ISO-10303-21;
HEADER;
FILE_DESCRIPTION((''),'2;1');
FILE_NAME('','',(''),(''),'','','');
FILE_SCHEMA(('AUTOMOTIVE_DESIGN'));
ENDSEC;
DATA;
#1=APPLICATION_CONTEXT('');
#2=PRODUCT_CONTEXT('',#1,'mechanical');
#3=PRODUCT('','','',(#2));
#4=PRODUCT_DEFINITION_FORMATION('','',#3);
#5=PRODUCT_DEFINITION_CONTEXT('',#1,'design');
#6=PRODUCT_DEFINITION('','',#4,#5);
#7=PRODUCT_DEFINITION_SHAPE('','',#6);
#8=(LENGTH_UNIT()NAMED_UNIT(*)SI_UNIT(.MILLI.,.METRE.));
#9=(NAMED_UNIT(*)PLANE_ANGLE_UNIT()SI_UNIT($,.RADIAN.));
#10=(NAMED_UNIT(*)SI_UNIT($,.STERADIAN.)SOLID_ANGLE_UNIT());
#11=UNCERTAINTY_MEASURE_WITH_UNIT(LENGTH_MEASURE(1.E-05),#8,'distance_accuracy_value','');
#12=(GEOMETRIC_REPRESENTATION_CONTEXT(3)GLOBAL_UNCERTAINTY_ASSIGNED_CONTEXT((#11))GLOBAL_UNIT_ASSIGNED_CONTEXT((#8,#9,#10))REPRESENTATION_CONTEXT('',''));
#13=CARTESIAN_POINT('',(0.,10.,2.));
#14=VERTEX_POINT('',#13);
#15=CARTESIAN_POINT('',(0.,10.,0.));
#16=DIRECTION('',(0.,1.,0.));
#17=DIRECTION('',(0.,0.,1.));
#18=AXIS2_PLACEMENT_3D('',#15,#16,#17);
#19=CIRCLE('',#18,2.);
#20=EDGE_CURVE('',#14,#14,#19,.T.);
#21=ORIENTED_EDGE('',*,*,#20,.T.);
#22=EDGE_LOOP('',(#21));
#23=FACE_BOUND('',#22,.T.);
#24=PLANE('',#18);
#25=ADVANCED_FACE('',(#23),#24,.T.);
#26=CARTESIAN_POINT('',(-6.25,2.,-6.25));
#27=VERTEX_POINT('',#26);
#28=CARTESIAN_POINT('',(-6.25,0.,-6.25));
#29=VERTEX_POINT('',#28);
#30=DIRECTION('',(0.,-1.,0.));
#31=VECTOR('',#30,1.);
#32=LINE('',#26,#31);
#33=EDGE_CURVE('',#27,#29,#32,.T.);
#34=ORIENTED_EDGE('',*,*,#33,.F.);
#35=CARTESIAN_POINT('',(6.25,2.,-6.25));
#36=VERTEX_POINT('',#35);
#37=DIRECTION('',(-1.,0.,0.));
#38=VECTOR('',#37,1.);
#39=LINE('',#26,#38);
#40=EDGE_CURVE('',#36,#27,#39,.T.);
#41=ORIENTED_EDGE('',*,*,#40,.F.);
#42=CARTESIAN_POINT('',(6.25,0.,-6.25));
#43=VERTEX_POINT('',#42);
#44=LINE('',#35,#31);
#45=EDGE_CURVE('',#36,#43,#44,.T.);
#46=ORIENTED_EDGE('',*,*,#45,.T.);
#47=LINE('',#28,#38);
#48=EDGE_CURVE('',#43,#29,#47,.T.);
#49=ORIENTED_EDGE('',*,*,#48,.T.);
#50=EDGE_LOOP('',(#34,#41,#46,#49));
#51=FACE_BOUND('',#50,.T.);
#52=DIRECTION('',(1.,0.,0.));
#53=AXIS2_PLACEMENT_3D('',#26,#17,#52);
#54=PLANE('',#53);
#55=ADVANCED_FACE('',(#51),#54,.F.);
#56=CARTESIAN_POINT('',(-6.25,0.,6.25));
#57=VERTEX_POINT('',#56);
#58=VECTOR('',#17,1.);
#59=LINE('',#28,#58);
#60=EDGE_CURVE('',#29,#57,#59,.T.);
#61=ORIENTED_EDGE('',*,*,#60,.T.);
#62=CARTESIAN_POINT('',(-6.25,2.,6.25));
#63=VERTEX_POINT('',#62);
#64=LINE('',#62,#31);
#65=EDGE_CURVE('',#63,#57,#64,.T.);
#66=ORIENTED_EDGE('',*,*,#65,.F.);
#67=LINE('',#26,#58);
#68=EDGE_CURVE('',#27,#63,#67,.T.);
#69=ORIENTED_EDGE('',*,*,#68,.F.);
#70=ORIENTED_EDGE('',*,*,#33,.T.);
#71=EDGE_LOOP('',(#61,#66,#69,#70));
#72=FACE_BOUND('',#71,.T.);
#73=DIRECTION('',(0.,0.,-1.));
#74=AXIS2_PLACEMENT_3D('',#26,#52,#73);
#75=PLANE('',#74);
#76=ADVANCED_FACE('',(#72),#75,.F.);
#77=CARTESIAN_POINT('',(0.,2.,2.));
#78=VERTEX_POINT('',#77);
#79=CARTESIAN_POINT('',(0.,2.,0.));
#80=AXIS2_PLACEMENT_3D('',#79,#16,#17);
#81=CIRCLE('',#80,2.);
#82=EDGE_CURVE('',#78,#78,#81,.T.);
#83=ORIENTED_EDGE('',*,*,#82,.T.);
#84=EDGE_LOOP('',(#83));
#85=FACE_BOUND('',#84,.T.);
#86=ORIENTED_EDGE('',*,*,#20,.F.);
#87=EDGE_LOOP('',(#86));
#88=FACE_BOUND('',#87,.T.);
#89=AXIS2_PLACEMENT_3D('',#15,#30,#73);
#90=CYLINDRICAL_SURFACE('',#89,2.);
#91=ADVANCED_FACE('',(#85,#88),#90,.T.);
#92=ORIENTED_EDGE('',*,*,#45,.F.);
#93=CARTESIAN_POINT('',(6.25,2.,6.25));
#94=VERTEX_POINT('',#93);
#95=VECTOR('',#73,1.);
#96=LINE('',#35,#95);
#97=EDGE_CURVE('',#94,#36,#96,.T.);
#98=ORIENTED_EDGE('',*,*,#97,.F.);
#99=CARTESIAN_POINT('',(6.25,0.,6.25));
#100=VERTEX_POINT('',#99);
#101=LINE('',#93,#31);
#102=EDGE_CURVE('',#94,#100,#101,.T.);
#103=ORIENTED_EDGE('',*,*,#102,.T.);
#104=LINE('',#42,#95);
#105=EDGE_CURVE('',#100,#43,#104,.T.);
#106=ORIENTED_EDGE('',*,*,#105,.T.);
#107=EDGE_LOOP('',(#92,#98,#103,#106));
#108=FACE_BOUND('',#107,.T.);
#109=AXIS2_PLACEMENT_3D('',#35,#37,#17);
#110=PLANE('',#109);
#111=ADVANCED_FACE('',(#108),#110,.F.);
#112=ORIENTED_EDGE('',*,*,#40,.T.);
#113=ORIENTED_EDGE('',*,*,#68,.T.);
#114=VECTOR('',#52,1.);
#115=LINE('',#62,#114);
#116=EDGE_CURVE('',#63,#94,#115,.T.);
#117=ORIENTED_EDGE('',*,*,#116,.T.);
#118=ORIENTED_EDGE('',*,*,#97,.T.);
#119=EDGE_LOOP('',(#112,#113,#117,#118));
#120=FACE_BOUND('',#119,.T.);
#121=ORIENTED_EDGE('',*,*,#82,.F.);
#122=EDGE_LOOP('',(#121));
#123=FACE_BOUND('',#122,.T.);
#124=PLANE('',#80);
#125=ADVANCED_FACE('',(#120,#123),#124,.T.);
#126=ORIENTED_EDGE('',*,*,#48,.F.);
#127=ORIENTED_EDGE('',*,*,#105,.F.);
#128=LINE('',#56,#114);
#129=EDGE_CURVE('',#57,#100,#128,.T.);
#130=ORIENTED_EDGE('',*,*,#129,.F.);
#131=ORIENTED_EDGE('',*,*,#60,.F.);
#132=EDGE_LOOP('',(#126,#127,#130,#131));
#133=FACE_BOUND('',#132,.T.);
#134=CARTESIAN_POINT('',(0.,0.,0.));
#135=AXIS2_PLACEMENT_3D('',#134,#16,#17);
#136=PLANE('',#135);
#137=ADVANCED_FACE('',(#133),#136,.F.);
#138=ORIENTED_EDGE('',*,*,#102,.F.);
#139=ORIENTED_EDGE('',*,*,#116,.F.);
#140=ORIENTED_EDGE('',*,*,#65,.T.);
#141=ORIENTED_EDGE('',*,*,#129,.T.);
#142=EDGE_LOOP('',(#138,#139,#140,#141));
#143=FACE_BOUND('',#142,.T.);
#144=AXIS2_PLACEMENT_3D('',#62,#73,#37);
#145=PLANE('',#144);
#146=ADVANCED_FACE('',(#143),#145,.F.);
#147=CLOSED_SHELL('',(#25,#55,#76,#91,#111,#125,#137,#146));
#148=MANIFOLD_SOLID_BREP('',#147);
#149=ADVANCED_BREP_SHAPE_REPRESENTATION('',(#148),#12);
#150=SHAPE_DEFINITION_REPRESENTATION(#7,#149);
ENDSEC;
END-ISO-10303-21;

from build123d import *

# Parameters (mm, degrees)
SKETCH_1_W      = 12.5
SKETCH_1_H      = 12.5
EXTRUDE_1_DEPTH = 2
SKETCH_2_R      = 2
EXTRUDE_2_DEPTH = 8


with BuildPart() as part:
    # 草图1 → 凸台-拉伸1 (new body)
    with BuildSketch(Plane(origin=(0, 0, 0), x_dir=(1, 0, 0), z_dir=(0, 1, 0))):
        Rectangle(SKETCH_1_W, SKETCH_1_H)
    extrude(amount=EXTRUDE_1_DEPTH)

    # 草图2 → 凸台-拉伸2 (add)
    with BuildSketch(Plane(origin=(0, 2, 0), x_dir=(1, 0, 0), z_dir=(0, 1, 0))):
        with Locations(Location((0, 0, 0), (0, 0, 270))):
            Circle(SKETCH_2_R)
    extrude(amount=EXTRUDE_2_DEPTH)


solid = part.part
